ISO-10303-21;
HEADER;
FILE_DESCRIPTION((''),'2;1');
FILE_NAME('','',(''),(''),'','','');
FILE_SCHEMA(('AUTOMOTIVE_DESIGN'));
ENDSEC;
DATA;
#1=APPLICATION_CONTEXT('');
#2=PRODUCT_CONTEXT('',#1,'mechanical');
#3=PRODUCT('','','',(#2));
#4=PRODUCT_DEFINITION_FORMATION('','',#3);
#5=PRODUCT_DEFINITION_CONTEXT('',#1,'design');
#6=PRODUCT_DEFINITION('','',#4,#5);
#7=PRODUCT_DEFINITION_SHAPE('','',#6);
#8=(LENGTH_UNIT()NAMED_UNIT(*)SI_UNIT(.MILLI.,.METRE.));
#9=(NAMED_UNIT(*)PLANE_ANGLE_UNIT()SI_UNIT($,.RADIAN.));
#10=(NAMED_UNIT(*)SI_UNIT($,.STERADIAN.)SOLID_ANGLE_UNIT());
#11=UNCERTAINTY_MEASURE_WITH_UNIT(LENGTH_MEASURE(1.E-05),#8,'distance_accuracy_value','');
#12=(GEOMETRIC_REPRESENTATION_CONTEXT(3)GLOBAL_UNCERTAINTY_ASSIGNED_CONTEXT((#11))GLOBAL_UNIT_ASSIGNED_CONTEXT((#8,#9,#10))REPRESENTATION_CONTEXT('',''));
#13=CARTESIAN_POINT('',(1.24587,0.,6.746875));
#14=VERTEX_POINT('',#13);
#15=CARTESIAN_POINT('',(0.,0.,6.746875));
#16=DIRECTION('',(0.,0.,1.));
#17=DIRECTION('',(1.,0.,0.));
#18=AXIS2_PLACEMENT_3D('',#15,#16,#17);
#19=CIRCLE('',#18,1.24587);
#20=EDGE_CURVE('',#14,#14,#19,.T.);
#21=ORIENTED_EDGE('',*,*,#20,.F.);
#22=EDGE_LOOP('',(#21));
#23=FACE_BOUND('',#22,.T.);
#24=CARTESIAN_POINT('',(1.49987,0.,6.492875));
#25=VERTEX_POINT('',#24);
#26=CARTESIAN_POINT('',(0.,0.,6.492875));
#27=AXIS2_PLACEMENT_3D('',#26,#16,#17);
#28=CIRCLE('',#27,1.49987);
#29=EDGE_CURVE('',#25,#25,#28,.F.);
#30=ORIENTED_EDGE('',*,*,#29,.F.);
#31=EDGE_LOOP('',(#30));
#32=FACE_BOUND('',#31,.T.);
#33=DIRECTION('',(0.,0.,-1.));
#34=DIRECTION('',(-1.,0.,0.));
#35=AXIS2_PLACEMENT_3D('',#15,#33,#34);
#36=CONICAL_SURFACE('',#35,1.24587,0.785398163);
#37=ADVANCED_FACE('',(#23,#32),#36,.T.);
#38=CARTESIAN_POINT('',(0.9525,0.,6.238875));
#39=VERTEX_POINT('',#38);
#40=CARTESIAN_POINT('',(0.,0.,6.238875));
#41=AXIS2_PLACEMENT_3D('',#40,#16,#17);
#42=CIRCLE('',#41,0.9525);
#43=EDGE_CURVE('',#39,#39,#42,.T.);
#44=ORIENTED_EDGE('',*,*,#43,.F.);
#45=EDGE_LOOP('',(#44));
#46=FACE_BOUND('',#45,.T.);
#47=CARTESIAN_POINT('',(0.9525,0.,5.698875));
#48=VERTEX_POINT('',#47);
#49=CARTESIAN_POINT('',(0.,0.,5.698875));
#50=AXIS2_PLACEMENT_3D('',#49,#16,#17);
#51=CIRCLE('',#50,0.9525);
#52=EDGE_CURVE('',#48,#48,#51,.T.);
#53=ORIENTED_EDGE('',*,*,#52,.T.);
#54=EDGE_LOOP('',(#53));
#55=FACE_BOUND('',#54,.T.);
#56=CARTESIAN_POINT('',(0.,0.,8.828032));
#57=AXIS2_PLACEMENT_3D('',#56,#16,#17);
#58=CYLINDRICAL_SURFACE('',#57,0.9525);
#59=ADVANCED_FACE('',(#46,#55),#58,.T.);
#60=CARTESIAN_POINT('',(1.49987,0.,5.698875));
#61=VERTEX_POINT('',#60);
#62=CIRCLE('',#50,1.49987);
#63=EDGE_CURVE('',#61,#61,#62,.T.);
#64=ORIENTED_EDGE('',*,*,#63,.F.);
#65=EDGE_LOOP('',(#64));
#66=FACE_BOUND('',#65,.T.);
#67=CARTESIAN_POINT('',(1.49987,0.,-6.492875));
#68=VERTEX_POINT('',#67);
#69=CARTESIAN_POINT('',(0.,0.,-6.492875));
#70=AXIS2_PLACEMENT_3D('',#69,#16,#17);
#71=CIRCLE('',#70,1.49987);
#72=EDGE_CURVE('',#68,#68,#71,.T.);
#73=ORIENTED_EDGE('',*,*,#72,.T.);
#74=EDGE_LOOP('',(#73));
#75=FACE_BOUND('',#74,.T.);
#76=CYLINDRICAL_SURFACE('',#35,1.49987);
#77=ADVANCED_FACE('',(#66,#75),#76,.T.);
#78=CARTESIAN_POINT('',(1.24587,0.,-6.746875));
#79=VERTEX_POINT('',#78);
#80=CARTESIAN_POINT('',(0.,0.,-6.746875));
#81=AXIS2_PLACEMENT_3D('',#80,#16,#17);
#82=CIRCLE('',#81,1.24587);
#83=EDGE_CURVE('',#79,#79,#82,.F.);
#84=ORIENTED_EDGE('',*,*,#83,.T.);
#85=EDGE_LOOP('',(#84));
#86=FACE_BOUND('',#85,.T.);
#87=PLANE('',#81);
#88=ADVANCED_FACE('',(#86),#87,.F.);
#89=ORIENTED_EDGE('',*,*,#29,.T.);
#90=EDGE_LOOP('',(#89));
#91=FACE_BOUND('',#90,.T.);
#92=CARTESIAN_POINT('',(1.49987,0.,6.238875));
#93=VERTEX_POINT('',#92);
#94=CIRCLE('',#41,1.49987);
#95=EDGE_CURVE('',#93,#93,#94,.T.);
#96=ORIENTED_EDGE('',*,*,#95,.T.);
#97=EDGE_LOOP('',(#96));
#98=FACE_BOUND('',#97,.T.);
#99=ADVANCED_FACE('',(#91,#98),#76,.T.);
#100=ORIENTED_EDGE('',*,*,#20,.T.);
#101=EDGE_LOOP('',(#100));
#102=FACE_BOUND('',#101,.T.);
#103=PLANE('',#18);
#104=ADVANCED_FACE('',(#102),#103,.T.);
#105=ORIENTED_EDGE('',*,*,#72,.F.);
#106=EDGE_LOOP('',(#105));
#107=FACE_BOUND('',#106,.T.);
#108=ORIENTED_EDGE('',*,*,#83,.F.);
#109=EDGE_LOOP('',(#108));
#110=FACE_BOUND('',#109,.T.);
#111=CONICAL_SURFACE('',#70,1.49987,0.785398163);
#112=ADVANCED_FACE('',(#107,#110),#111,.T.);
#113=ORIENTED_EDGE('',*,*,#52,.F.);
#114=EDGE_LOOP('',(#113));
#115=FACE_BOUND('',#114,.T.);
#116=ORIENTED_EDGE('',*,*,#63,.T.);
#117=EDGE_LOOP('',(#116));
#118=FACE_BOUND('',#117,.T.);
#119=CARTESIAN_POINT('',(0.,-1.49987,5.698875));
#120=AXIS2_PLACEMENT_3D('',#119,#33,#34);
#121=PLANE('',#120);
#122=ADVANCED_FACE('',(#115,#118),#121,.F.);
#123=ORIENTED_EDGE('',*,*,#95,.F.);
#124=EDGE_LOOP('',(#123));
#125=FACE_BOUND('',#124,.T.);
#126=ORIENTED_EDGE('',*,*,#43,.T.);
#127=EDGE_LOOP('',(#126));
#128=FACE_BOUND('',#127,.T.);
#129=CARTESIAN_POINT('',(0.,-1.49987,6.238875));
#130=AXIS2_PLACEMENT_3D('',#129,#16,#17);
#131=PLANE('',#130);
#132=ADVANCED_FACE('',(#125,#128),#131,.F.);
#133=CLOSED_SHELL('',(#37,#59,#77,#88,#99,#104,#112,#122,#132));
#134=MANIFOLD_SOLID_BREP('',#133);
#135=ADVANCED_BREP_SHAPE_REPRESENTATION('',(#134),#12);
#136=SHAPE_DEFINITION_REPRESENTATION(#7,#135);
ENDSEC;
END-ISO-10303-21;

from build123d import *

# Parameters (mm, degrees)
SKETCH1_R           = 1.49987
BOSS_EXTRUDE1_DEPTH = 6.746875
SKETCH2_W           = 0.54
SKETCH2_H           = 0.54737
CHAMFER1_SIZE       = 0.254


with BuildPart() as part:
    # Sketch1 → Boss-Extrude1 (new body, symmetric)
    with BuildSketch(Plane.XY):
        Circle(SKETCH1_R)
    extrude(amount=BOSS_EXTRUDE1_DEPTH, both=True)

    # Sketch2 → Cut-Revolve1 (revolve, cut)
    with BuildSketch(Plane(origin=(0, 0, 0), x_dir=(0, 0, -1), z_dir=(1, 0, 0))):
        with Locations((-5.968875, -1.226185)):
            Rectangle(SKETCH2_W, SKETCH2_H)
    revolve(axis=Axis((0, 0, 8.828032455), (0, 0, -1)), mode=Mode.SUBTRACT)

    # Chamfer1
    chamfer1_edges = [part.edges().sort_by_distance(p)[0] for p in [
        (-1.49987, 0, -6.746875),
        (-1.49987, 0, 6.746875),
    ]]
    chamfer(chamfer1_edges, length=CHAMFER1_SIZE)


solid = part.part
